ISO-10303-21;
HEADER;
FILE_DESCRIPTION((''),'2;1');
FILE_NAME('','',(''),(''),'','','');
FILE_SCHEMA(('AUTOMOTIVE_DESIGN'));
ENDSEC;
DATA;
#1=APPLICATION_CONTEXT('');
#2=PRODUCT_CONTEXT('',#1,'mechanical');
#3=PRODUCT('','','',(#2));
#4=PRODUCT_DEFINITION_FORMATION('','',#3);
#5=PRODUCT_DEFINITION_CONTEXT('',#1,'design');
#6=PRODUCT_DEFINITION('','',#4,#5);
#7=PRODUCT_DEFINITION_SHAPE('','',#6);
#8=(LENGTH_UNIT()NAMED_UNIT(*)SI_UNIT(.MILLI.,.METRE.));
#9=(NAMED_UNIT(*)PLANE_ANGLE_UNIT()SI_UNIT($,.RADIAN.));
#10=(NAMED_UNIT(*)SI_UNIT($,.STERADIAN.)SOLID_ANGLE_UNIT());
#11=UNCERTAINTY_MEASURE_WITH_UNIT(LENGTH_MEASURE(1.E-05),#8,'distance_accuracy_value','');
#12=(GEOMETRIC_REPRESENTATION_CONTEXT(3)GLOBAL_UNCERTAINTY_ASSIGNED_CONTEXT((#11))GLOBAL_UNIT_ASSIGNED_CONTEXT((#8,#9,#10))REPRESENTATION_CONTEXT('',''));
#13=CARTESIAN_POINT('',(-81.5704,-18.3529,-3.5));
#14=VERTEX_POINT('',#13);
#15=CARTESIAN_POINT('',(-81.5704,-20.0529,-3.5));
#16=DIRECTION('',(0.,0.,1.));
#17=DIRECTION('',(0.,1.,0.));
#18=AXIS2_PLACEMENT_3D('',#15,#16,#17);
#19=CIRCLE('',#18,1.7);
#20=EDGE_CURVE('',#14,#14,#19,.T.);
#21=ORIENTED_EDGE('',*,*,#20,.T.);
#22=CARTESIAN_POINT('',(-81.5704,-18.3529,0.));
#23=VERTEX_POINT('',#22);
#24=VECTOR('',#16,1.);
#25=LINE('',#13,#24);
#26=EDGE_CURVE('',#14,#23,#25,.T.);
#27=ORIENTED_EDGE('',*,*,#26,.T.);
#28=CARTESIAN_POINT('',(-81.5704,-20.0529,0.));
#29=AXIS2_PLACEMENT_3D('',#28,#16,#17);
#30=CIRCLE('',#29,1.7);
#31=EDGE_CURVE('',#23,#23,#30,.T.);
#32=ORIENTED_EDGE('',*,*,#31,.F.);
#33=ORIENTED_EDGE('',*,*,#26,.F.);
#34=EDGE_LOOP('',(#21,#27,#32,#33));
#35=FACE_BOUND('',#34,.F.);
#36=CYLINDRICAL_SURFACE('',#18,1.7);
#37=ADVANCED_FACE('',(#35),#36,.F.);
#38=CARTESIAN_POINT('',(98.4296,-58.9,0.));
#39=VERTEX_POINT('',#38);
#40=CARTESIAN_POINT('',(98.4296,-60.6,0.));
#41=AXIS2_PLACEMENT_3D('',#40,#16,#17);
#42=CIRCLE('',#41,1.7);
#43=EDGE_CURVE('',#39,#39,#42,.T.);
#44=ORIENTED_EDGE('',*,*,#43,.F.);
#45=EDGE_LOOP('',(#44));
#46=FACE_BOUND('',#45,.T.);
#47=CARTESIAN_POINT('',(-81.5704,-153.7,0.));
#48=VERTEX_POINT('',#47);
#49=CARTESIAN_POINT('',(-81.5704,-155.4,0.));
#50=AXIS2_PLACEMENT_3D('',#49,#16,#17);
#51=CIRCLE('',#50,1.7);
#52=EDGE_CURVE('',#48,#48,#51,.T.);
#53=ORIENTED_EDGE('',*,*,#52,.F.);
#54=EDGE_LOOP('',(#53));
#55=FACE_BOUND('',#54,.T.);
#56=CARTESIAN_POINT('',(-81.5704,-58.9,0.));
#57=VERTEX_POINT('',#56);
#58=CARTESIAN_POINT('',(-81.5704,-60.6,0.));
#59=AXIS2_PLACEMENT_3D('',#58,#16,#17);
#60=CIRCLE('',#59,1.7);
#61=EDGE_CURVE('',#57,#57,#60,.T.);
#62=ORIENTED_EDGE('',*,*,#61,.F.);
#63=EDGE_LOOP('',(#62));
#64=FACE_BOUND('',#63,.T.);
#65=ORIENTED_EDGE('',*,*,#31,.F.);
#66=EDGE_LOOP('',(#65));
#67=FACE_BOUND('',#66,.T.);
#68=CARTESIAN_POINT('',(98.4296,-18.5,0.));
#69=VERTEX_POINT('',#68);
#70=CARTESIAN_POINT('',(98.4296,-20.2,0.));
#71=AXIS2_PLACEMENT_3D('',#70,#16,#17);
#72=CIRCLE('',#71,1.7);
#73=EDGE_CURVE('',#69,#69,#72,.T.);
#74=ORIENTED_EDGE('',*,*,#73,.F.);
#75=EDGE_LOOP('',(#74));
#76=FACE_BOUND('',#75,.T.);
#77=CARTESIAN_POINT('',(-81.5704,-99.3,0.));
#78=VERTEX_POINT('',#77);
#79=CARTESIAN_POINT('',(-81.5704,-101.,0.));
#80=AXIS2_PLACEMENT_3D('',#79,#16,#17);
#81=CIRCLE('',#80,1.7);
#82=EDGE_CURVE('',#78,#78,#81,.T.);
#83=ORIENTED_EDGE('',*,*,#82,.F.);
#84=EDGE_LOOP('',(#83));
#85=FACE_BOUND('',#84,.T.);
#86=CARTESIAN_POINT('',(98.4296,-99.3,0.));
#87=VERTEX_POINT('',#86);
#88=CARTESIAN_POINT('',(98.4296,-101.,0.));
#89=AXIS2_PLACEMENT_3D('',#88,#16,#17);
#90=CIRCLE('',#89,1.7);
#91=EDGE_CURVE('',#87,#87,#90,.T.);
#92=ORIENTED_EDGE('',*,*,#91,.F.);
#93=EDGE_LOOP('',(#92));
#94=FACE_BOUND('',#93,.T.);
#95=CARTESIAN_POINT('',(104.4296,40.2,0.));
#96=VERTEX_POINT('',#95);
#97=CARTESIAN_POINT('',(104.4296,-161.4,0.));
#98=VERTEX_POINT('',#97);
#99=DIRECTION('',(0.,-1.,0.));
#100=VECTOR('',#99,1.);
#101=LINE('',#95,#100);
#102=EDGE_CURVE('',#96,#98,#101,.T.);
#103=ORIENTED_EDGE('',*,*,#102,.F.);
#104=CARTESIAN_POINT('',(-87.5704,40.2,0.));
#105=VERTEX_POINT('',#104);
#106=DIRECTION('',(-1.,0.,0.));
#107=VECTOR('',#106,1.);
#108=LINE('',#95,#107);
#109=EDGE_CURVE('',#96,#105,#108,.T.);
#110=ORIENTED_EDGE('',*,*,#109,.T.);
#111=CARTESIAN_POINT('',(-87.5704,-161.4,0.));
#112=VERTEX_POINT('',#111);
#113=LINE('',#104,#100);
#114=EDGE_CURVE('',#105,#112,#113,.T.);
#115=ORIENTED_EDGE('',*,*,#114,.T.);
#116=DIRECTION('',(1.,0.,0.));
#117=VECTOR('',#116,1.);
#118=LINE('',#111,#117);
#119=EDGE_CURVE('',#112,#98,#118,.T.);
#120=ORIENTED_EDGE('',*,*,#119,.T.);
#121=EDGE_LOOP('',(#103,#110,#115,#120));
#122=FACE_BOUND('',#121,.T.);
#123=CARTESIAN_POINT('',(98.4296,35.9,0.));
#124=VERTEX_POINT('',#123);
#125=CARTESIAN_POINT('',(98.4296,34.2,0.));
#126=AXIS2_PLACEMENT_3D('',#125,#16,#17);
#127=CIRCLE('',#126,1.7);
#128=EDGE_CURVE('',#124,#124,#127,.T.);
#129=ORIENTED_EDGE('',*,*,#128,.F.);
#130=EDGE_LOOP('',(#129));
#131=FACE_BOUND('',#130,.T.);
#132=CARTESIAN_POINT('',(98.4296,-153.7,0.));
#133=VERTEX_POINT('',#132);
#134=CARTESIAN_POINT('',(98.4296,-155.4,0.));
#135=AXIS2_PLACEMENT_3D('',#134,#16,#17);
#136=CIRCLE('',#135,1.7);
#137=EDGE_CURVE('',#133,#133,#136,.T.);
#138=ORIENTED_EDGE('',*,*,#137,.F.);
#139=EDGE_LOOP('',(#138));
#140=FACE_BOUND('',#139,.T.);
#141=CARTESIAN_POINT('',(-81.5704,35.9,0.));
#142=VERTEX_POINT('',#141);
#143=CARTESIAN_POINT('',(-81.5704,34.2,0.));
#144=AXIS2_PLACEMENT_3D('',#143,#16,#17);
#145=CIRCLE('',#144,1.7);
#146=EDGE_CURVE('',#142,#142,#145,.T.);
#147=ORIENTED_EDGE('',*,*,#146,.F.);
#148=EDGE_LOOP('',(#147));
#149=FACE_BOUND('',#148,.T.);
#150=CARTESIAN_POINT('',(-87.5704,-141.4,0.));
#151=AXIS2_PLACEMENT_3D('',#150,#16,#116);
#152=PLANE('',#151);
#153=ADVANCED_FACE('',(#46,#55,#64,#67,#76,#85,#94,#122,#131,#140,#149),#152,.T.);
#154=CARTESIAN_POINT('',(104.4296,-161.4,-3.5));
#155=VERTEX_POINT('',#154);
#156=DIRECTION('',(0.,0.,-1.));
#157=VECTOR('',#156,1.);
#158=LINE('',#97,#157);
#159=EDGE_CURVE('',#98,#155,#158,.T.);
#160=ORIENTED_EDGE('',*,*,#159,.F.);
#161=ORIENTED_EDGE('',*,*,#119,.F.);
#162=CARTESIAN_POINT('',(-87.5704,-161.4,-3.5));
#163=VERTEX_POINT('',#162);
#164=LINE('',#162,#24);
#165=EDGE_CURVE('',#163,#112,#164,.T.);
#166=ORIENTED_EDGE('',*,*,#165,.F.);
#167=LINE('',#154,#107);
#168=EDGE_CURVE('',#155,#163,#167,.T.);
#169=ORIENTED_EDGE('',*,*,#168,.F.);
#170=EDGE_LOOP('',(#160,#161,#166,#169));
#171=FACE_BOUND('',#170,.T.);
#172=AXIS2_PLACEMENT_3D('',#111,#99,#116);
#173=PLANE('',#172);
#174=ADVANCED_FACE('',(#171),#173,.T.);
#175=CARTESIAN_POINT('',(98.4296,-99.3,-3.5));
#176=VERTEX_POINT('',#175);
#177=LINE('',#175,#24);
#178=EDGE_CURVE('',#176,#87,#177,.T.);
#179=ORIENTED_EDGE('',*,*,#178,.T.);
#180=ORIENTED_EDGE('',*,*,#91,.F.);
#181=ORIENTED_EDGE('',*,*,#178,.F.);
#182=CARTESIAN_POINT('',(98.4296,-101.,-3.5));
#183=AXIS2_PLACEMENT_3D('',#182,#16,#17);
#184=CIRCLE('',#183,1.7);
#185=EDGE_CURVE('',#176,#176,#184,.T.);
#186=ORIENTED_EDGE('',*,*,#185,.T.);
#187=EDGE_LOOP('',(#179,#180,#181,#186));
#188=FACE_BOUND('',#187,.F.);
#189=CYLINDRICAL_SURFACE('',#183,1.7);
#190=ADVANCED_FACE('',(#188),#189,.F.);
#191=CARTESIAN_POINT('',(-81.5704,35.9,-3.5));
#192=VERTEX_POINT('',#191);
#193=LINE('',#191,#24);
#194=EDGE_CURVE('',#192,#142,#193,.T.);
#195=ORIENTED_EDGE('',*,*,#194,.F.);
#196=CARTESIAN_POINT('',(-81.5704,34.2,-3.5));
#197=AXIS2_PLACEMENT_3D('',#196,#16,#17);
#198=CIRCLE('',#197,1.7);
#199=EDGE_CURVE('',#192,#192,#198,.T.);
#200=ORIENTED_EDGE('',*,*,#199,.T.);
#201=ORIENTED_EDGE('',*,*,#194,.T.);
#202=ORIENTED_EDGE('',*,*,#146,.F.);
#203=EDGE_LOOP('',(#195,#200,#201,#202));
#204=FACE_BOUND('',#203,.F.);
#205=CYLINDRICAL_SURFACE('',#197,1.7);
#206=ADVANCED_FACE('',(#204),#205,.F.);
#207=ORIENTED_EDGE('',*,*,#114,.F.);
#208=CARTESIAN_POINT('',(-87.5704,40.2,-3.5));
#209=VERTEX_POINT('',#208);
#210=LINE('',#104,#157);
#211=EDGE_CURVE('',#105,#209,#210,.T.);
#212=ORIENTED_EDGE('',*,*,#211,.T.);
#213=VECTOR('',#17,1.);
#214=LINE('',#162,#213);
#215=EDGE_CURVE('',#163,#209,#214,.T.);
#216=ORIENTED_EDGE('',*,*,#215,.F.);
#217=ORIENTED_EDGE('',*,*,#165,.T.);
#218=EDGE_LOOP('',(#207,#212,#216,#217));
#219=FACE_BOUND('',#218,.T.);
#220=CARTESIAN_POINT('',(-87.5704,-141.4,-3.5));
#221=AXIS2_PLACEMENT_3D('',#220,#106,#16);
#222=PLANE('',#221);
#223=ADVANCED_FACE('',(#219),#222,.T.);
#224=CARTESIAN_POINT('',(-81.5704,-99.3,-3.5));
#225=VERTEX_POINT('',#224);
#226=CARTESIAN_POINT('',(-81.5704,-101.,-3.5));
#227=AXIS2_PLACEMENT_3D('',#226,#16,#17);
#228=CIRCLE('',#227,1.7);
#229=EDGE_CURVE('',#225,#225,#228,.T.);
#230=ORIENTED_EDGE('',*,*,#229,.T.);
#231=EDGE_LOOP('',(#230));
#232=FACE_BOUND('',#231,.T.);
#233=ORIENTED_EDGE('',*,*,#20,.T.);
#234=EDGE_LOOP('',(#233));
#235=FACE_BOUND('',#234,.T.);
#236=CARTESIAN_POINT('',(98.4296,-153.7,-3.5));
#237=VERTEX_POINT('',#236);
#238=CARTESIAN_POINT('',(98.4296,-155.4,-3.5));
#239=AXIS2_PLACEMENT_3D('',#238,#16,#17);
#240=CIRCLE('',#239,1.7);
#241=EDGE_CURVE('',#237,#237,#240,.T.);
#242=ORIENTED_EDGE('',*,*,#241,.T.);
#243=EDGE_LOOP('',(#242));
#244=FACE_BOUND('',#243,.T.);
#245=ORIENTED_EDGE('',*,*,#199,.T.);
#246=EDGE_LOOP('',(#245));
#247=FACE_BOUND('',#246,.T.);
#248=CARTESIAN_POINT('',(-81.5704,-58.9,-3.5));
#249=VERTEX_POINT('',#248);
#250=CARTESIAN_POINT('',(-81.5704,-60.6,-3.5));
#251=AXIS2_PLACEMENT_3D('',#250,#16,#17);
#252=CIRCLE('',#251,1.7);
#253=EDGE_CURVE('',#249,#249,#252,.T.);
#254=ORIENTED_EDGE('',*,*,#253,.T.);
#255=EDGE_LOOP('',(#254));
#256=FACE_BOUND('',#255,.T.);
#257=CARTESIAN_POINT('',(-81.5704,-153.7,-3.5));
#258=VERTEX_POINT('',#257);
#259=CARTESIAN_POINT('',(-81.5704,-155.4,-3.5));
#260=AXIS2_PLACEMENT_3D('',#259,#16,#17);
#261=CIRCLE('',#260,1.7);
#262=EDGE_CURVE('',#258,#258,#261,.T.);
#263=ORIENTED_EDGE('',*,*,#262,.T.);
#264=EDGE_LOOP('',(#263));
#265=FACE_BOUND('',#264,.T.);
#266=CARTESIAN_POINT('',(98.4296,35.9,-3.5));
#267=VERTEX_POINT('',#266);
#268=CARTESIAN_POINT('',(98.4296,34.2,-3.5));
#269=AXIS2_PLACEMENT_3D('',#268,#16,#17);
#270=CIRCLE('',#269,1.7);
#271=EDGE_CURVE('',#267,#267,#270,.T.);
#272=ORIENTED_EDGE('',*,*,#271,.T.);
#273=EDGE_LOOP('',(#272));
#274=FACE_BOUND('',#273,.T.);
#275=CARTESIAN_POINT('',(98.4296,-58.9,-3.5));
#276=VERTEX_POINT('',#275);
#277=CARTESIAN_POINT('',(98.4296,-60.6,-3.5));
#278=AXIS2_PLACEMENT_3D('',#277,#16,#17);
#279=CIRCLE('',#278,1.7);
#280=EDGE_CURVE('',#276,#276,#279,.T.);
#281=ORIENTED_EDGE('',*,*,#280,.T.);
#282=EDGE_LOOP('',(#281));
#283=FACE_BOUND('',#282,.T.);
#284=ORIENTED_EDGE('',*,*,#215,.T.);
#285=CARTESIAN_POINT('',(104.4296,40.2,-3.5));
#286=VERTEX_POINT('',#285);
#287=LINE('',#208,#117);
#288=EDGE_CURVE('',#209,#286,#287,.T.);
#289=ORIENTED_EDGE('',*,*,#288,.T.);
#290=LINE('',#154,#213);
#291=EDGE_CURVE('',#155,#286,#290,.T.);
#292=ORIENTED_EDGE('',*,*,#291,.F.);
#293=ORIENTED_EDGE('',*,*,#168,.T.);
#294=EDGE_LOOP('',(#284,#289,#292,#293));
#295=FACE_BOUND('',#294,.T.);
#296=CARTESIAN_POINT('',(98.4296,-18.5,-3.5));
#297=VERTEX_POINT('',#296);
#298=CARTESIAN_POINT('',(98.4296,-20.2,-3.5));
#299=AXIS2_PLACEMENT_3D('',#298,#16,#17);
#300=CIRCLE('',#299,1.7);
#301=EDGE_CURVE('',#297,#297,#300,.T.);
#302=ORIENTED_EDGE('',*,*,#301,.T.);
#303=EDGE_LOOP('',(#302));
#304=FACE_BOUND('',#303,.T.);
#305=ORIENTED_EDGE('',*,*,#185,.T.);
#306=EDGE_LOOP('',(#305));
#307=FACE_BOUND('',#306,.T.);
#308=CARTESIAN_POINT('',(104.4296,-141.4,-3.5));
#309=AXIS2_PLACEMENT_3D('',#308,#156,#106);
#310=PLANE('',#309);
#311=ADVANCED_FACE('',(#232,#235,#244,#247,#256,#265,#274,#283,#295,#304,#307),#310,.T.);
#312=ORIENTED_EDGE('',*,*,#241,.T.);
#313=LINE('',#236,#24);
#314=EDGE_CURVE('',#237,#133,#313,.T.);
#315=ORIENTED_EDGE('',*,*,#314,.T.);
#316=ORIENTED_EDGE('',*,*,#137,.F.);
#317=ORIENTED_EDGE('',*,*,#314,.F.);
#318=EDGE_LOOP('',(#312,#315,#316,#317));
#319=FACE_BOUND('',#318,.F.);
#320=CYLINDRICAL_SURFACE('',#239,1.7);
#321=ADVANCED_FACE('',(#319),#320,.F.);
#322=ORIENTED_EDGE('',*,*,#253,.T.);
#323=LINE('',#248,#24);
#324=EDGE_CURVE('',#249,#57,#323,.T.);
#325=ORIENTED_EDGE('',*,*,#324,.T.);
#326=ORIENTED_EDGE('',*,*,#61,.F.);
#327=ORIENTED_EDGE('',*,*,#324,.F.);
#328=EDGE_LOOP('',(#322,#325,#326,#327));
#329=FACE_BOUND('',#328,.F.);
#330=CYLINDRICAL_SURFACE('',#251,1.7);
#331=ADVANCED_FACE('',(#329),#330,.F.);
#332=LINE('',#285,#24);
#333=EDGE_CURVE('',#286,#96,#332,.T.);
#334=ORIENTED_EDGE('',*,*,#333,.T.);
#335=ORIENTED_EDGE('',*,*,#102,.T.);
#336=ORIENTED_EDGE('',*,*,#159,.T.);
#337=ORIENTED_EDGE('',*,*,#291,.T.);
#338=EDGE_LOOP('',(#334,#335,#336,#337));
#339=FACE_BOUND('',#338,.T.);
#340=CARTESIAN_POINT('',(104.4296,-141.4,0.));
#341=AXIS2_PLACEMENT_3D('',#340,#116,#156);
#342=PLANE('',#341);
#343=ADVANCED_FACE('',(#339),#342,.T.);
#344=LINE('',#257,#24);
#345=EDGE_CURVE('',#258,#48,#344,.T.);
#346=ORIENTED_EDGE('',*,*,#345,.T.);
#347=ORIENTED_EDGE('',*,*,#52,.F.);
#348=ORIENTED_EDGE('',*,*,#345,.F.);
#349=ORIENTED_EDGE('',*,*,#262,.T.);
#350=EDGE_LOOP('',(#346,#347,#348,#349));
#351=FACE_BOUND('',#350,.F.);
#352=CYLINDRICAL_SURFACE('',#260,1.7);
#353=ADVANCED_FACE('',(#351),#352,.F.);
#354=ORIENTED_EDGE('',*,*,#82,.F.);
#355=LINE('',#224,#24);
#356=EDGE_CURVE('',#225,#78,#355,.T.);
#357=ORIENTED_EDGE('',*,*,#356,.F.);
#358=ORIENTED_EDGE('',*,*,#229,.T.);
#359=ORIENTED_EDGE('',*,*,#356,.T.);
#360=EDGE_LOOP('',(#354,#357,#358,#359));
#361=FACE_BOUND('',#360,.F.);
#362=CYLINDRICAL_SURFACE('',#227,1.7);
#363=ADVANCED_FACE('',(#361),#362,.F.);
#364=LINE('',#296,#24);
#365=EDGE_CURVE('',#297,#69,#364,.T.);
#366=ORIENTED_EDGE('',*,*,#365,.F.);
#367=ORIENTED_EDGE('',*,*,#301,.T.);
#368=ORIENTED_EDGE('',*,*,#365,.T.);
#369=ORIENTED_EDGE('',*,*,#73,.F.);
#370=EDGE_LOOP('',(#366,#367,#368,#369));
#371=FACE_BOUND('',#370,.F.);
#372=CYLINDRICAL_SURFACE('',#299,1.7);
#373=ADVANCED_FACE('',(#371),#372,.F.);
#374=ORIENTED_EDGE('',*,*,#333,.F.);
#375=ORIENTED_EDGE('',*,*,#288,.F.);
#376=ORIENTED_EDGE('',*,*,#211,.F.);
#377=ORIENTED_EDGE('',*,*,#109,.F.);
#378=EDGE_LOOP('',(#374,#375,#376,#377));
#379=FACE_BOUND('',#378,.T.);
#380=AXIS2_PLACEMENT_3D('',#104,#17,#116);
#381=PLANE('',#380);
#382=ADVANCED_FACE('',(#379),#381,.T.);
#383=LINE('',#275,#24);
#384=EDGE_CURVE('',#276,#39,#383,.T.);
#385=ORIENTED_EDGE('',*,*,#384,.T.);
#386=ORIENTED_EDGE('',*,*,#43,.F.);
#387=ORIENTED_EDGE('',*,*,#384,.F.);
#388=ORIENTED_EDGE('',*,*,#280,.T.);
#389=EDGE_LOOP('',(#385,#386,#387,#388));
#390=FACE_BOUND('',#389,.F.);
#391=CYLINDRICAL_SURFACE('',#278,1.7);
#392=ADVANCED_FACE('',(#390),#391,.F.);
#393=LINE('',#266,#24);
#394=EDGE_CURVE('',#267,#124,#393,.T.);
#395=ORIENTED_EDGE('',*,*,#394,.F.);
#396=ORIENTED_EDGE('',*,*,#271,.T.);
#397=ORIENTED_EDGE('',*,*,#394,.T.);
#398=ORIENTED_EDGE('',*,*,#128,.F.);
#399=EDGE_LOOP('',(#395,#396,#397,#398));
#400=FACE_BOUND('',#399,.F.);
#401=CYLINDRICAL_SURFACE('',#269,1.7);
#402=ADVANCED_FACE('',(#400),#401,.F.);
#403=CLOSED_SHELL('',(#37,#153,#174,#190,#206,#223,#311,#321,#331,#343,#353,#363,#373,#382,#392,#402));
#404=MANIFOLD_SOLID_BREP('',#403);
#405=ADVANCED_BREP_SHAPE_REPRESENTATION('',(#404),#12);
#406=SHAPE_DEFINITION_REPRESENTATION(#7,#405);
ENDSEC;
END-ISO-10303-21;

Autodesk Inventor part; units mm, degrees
ref_plane "YZ Plane" through (0, 0, 0) normal (1, 0, 0) x (0, 1, 0)
ref_plane "XZ Plane" through (0, 0, 0) normal (0, 1, 0) x (-1, 0, 0)
ref_plane "XY Plane" through (0, 0, 0) normal (0, 0, 1) x (1, 0, 0)
sketch "Sketch1" plane through (0, 0, 0) normal (0, 0, 1) x (1, 0, 0)
  line L0 (93.3916, -12.6) -> (93.3916, 12.6)
  line L1 (53.9763, -12.6) -> (93.3916, -12.6)
  line L2 (53.9763, -15.2) -> (53.9763, -12.6)
  line L3 (38.2753, -15.2) -> (53.9763, -15.2)
  line L4 (38.2753, -15.2) -> (23.4296, -15.2)
  line L5 (23.4296, -12.6) -> (23.4296, -15.2)
  line L6 (-76.0546, -12.6) -> (23.4296, -12.6)
  line L7 (23.4296, 12.6) -> (-76.0546, 12.6)
  line L8 (23.4296, 15.2) -> (23.4296, 12.6)
  line L9 (-76.0546, 12.6) -> (-76.0546, -12.6)
  line L10 (-70.1, 10) -> (-66.9, 10)
  line L11 (-66.9, -10) -> (-70.1, -10)
  line L12 (23.4296, 15.2) -> (53.9763, 15.2)
  line L13 (53.9763, 15.2) -> (53.9763, 12.6)
  line L14 (53.9763, 12.6) -> (93.3916, 12.6)
  line L15 (-77.0546, 13.6) -> (22.4296, 13.6)
  line L16 (22.4296, 13.6) -> (22.4296, 16.2)
  line L17 (22.4296, 16.2) -> (54.9763, 16.2)
  line L18 (54.9763, 16.2) -> (54.9763, 13.6)
  line L19 (54.9763, 13.6) -> (94.3916, 13.6)
  line L20 (94.3916, 13.6) -> (94.3916, -13.6)
  line L21 (94.3916, -13.6) -> (54.9763, -13.6)
  line L22 (54.9763, -13.6) -> (54.9763, -16.2)
  line L23 (54.9763, -16.2) -> (38.2753, -16.2)
  line L24 (38.2753, -16.2) -> (22.4296, -16.2)
  line L25 (22.4296, -16.2) -> (22.4296, -13.6)
  line L26 (22.4296, -13.6) -> (-77.0546, -13.6)
  line L27 (-77.0546, -13.6) -> (-77.0546, 13.6)
  line L28 (22.4296, -16.2) -> (22.4296, -20.2) construction
  line L29 (22.4296, -20.2) -> (-87.5704, -20.2)
  line L30 (-87.5704, -20.2) -> (-87.5704, 20.2)
  line L31 (-87.5704, 20.2) -> (22.4296, 20.2)
  line L32 (104.4296, -20.2) -> (22.4296, -20.2)
  line L33 (22.4296, 20.2) -> (104.4296, 20.2)
  line L34 (104.4296, 20.2) -> (104.4296, -20.2)
  dimension "d0" = 1
  dimension "d1" = 4
  dimension "d2" = 110
  dimension "d3" = 40.4
  dimension "d5" = 82
extrude "Extrusion1" add sketch "Sketch1" against normal blind 3.5 contours L1 L2 L3 L4 L5 L6 L9 L7 L8 L12 L13 L14 L0 | L15 L16 L17 L18 L19 L20 L21 L22 L23 L24 L25 L26 L27 | L29 L30 L31 L33 L34 L32
pattern_linear "Rectangular Pattern1" count 4 spacing 40.4 along (0, -1, 0)
sketch "Sketch2" plane through (-87.5704, 20.2, 0) normal (0, 1, 0) x (1, 0, 0)
  line L0 (192, 3.5) -> (192, 0) projected
  line L1 (192, 0) -> (0, 0) projected
  line L2 (0, 0) -> (0, 3.5) projected
  line L3 (0, 3.5) -> (192, 3.5) projected
  point P0 (87.5704, 0)
extrude "Extrusion2" add sketch "Sketch2" along normal blind 20
sketch "Sketch3" plane through (-87.5704, -141.4, 0) normal (0, -1, 0) x (1, 0, 0)
  line L0 (192, 0) -> (192, -3.5) projected
  line L1 (192, -3.5) -> (0, -3.5) projected
  line L2 (0, -3.5) -> (0, 0) projected
  line L3 (0, 0) -> (192, 0) projected
  point P0 (87.5704, 0)
extrude "Extrusion3" add sketch "Sketch3" along normal blind 20
sketch "Sketch4" plane through (0, 0, -3.5) normal (0, 0, -1) x (-1, 0, 0)
  line L0 (87.5704, -161.4) -> (-104.4296, -161.4) projected
  line L1 (87.5704, -161.4) -> (81.5704, -161.4)
  line L2 (81.5704, -161.4) -> (81.5704, 40.2)
  line L3 (-104.4296, 40.2) -> (87.5704, 40.2) projected
  line L4 (81.5704, -161.4) -> (81.5704, -155.4)
  line L5 (81.5704, 40.2) -> (81.5704, 34.2)
  line L6 (77.0546, -107.6) -> (-22.4296, -107.6) projected
  line L7 (77.0546, -67.2) -> (77.0546, -94.4) projected
  line L8 (77.0546, -107.6) -> (77.0546, -94.4)
  line L9 (77.0546, -101) -> (81.5704, -101)
  line L10 (77.0546, -67.2) -> (77.0546, -53.8327)
  line L11 (77.0546, -60.5163) -> (81.5704, -60.6)
  line L12 (77.0546, -54) -> (77.0546, -26.8) projected
  line L13 (77.0546, -26.8) -> (77.0546, -13.3059)
  line L14 (77.0546, -20.0529) -> (81.5704, -20.0529)
  line L15 (-94.3916, -107.6) -> (-54.9763, -107.6) projected
  line L16 (-94.3916, -67.2) -> (-94.3916, -94.4) projected
  line L17 (-94.3916, -107.6) -> (-94.3916, -94.4)
  line L18 (-54.9763, -54) -> (-94.3916, -54) projected
  line L19 (-94.3916, -67.2) -> (-94.3916, -54)
  line L20 (-54.9763, -13.6) -> (-94.3916, -13.6) projected
  line L21 (-94.3916, -13.6) -> (-94.3916, 13.6) projected
  line L22 (-94.3916, -13.6) -> (-94.3916, 13.6)
  line L23 (-104.4296, -161.4) -> (-98.4296, -161.4)
  line L24 (-98.4296, -161.4) -> (-98.4296, 40.2)
  line L25 (-94.3916, -101) -> (-98.4296, -101)
  line L26 (-94.3916, -60.6) -> (-98.4296, -60.6)
  line L27 (-94.3916, -26.8) -> (-94.3916, -13.6)
  line L28 (-94.3916, -20.2) -> (-98.4296, -20.2)
  line L29 (-98.4296, 40.2) -> (-98.4296, 34.2)
  line L30 (-98.4296, -161.4) -> (-98.4296, -155.4)
  point P0 (0, 0)
  dimension "d15" = 6
  dimension "d16" = 6
  dimension "d17" = 6
  dimension "d18" = 6
  dimension "d19" = 6
  dimension "d20" = 6
hole "Hole1" at (98.4296, -155.4, -3.5) at (98.4296, -155.4, -3.5) at (98.4296, -101, -3.5) at (98.4296, -60.6, -3.5) at (98.4296, -20.2, -3.5) at (98.4296, 34.2, -3.5) at (-81.5704, 34.2, -3.5) at (-81.5704, -20.0529, -3.5) at (-81.5704, -60.6, -3.5) at (-81.5704, -101, -3.5) at (-81.5704, -155.4, -3.5) direction (0, 0, 1) diameter 3.4 end through all clearance for "Flat Head Machine Screw" size "M3" standard "Ansi Metric M Profile"
properties part number "BottomPlate-4x1"
